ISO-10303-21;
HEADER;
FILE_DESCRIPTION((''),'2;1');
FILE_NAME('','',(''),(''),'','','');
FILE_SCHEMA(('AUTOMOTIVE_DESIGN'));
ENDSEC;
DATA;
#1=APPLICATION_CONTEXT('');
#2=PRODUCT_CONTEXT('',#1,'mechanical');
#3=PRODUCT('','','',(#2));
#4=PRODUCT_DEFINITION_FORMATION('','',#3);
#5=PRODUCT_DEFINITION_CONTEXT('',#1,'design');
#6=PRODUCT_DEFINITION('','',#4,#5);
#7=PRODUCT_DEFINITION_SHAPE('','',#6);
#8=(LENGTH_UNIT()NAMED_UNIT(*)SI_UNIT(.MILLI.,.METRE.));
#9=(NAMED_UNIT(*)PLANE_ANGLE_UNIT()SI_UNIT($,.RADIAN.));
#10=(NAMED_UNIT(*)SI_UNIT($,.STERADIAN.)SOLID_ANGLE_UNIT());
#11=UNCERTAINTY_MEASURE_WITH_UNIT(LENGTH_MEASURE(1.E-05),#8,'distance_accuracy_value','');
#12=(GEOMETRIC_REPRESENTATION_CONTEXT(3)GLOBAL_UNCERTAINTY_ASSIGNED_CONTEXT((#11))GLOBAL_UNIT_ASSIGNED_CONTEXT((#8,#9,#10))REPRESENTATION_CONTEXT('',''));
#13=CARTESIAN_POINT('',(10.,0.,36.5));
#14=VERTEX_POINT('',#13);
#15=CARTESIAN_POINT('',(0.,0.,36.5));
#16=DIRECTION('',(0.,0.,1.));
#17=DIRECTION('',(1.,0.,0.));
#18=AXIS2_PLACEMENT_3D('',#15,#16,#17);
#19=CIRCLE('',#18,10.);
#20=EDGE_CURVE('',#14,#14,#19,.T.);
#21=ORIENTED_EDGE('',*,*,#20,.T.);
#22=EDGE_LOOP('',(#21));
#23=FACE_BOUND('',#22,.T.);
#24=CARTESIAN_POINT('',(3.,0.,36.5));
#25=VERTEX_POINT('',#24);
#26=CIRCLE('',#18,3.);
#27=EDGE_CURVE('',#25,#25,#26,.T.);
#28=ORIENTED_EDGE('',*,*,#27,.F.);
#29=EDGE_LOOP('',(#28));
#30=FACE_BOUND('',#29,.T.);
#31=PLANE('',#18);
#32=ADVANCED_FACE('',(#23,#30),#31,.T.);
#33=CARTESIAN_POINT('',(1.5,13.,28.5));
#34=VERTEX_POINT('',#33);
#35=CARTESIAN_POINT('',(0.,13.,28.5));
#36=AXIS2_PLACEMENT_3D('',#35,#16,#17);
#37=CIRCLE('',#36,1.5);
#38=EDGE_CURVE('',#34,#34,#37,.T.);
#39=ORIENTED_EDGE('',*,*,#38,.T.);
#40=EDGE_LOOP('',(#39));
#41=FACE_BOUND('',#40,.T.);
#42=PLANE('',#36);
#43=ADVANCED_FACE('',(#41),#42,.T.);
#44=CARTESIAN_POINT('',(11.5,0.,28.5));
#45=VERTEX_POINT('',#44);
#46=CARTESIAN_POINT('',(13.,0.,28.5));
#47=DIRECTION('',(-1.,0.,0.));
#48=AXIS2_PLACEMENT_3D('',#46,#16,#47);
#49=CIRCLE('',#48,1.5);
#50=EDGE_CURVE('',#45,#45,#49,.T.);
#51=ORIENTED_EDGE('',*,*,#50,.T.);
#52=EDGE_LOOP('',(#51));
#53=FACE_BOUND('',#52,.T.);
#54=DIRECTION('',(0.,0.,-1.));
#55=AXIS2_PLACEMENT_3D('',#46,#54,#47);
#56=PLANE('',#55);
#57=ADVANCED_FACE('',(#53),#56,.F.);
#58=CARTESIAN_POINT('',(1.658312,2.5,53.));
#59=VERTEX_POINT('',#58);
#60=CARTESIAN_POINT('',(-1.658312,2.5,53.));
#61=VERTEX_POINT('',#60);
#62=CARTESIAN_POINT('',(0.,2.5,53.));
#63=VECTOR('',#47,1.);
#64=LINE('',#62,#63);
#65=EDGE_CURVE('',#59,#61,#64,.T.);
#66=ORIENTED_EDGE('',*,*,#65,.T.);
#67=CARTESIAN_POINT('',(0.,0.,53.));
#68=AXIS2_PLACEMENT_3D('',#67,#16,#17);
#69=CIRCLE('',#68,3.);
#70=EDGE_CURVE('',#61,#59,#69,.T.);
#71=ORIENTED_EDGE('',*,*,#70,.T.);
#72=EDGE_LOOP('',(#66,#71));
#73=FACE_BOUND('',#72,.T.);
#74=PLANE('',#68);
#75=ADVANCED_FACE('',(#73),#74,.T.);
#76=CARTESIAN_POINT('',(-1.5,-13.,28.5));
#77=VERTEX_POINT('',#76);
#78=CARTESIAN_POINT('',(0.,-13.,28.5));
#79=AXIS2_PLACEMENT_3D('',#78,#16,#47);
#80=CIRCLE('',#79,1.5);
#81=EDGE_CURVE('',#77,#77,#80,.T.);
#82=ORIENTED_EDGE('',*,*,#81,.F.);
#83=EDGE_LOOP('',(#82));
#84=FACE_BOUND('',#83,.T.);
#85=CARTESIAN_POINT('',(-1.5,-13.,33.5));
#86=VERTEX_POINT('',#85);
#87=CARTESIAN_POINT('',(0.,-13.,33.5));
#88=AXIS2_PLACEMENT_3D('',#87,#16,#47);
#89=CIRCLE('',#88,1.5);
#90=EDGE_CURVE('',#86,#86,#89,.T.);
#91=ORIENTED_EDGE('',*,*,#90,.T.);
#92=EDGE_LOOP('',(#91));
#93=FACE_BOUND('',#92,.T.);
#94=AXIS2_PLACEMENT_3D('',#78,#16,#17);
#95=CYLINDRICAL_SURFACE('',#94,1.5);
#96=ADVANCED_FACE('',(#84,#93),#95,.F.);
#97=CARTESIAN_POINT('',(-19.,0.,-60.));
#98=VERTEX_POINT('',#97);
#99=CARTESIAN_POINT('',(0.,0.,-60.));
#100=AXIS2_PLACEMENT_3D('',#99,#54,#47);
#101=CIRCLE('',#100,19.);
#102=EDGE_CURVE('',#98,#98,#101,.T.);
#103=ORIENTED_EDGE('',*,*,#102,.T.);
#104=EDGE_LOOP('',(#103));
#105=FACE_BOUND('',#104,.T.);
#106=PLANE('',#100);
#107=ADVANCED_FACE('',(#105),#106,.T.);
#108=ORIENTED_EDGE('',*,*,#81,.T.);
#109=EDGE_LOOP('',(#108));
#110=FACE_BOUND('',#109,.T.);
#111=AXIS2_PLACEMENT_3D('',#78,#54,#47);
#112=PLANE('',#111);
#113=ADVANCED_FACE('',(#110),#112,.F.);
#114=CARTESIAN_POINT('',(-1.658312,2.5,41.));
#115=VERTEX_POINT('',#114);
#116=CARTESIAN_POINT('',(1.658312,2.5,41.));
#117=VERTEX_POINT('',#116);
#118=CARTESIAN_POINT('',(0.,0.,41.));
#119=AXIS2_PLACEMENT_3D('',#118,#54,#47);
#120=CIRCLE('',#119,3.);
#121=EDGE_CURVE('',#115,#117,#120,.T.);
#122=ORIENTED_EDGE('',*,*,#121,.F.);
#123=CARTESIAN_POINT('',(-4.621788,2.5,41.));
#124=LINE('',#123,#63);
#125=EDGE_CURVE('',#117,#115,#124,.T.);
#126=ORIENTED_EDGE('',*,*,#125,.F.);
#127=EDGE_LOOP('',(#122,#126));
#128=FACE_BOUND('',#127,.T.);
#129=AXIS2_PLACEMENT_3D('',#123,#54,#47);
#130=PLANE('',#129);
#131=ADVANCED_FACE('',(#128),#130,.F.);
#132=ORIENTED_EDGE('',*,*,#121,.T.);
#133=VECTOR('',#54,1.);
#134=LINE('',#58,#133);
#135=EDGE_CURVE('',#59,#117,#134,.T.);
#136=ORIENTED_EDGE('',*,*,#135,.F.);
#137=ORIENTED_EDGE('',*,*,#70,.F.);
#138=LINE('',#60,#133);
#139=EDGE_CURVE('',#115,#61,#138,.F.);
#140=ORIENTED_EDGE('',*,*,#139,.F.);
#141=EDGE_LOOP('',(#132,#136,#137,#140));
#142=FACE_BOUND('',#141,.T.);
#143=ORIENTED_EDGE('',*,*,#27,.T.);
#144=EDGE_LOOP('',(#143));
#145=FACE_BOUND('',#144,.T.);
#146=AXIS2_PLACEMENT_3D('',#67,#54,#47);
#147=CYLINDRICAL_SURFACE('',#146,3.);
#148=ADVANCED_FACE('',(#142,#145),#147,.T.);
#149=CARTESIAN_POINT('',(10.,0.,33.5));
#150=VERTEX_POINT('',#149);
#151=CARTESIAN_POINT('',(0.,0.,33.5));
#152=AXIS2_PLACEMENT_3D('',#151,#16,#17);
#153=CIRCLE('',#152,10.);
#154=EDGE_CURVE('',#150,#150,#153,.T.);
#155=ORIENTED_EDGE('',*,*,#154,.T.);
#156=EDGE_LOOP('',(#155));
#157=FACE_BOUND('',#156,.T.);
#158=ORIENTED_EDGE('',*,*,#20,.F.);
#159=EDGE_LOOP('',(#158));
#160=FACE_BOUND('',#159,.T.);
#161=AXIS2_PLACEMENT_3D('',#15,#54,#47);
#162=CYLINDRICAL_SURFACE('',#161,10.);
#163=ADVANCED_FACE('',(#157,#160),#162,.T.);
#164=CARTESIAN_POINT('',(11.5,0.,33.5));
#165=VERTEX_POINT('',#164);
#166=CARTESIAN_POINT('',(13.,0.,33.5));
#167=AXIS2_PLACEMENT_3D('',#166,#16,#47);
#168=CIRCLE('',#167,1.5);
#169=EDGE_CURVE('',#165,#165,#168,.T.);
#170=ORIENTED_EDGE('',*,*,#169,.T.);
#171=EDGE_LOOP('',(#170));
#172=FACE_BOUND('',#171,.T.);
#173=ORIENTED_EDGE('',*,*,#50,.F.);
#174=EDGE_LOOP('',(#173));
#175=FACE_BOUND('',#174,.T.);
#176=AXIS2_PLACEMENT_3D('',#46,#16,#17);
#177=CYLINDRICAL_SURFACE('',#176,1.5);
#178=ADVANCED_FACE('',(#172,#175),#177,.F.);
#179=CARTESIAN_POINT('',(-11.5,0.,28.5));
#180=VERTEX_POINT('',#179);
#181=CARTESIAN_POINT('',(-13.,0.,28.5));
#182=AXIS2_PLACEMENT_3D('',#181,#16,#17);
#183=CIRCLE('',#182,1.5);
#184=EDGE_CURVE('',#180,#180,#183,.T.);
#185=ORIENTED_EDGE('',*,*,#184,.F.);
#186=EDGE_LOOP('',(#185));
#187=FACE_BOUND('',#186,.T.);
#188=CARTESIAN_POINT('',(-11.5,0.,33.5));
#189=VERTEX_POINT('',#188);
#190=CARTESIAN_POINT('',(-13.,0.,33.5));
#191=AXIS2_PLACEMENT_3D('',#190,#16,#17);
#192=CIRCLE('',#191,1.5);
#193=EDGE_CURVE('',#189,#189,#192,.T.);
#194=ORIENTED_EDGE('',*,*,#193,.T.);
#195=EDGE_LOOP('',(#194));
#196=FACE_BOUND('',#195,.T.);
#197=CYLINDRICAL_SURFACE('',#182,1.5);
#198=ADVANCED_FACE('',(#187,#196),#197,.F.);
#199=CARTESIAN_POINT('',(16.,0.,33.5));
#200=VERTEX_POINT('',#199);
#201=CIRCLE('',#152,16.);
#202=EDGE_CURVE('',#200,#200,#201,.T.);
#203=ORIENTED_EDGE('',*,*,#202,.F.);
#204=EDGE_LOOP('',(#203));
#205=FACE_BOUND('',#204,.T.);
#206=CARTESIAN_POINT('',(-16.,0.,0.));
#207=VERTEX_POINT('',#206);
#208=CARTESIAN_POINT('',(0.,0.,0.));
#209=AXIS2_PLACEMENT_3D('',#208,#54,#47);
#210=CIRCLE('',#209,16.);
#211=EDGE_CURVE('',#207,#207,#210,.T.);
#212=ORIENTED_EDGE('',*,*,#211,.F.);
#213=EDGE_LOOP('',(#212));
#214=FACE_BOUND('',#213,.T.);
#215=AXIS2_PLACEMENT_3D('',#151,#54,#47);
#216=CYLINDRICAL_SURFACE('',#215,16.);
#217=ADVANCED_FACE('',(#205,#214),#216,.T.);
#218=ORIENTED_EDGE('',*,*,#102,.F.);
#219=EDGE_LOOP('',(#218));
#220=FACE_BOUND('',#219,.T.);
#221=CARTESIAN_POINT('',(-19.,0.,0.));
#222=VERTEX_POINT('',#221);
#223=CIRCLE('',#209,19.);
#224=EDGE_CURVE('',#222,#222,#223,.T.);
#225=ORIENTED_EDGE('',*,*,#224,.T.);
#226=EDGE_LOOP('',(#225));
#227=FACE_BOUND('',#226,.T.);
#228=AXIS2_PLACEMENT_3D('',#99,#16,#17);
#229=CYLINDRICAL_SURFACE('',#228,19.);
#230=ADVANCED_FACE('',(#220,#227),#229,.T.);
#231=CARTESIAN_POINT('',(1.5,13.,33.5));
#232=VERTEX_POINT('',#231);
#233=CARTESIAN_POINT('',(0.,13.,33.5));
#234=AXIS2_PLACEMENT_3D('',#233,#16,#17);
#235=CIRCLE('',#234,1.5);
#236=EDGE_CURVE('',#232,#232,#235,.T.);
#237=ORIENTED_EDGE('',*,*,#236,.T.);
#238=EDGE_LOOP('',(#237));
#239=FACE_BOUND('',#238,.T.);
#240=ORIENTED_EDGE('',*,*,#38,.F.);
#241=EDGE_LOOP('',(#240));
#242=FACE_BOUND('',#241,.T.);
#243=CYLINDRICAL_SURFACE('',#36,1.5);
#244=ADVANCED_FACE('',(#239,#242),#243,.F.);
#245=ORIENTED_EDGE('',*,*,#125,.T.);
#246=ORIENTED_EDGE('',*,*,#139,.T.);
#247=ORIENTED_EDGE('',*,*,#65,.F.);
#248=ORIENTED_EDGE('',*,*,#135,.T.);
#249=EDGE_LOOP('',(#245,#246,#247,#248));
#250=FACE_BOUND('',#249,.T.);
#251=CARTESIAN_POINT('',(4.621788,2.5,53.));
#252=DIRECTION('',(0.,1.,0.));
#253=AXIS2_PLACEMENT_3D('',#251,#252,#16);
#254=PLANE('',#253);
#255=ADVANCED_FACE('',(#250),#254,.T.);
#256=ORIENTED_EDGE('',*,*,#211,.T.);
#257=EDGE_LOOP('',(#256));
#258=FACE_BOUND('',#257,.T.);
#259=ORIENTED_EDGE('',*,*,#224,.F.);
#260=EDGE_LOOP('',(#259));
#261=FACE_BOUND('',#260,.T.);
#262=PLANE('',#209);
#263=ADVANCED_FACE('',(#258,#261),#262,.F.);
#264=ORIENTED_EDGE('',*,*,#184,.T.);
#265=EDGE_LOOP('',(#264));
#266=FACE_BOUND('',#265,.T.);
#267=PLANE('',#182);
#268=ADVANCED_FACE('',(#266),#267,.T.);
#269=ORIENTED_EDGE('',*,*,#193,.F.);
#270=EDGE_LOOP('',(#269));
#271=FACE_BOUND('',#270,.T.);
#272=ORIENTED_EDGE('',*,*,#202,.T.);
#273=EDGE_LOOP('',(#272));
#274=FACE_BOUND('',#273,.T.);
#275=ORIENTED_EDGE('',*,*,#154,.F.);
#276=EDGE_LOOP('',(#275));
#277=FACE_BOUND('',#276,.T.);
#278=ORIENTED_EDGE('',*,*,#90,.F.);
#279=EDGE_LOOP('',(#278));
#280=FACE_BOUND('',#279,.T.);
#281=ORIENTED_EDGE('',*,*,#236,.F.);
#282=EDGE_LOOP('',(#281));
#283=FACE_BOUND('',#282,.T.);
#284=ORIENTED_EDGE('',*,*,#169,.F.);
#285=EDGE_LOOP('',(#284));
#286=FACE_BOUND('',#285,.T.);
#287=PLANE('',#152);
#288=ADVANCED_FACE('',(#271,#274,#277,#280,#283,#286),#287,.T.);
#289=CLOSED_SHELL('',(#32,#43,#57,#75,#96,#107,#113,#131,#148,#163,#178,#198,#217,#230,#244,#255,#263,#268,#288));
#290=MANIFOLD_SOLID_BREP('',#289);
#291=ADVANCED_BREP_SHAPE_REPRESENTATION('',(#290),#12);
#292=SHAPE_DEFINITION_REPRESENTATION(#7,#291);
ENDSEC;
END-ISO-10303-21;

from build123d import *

# Parameters (mm, degrees)
SKETCH_1_R          = 16
EXTRUDE_1_DEPTH     = 33.5
SKETCH_2_R          = 10
EXTRUDE_2_DEPTH     = 3
SKETCH_3_R          = 3
EXTRUDE_3_DEPTH     = 16.5
CUT_EXTRUDE_START   = 3
SKETCH_4_W          = 9.243576196
SKETCH_4_H          = 12
CUT_EXTRUDE_1_DEPTH = 0.5
SKETCH_5_R          = 19
EXTRUDE_4_DEPTH     = 60
SKETCH_6_R          = 1.5
CUT_EXTRUDE_2_DEPTH = 5


with BuildPart() as part:
    # ｽｹｯﾁ1 → ﾎﾞｽ - 押し出し1 (new body)
    with BuildSketch(Plane.XY):
        Circle(SKETCH_1_R)
    extrude(amount=EXTRUDE_1_DEPTH)

    # ｽｹｯﾁ2 → ﾎﾞｽ - 押し出し2 (add)
    with BuildSketch(Plane.XY.offset(33.5)):
        Circle(SKETCH_2_R)
    extrude(amount=EXTRUDE_2_DEPTH)

    # ｽｹｯﾁ3 → ﾎﾞｽ - 押し出し3 (add)
    with BuildSketch(Plane.XY.offset(36.5)):
        Circle(SKETCH_3_R)
    extrude(amount=EXTRUDE_3_DEPTH)

    # ｽｹｯﾁ4 → ｶｯﾄ - 押し出し1 (cut)
    with BuildSketch(Plane(origin=(0, 0, 0), x_dir=(1, 0, 0), z_dir=(0, 1, 0)).offset(CUT_EXTRUDE_START)):
        with Locations((0, -47)):
            Rectangle(SKETCH_4_W, SKETCH_4_H)
    extrude(amount=-CUT_EXTRUDE_1_DEPTH, mode=Mode.SUBTRACT)

    # ｽｹｯﾁ5 → ﾎﾞｽ - 押し出し4 (add)
    with BuildSketch(Plane(origin=(0, 0, 0), x_dir=(-1, 0, 0), z_dir=(0, 0, -1))):
        Circle(SKETCH_5_R)
    extrude(amount=EXTRUDE_4_DEPTH)

    # ｽｹｯﾁ6 → ｶｯﾄ - 押し出し2 (cut)
    with BuildSketch(Plane.XY.offset(33.5)):
        with Locations((0, 13)):
            Circle(SKETCH_6_R)
        with Locations((-13, 0)):
            Circle(SKETCH_6_R)
        with Locations(Location((13, 0, 0), (0, 0, 180))):
            Circle(SKETCH_6_R)
        with Locations(Location((0, -13, 0), (0, 0, 180))):
            Circle(SKETCH_6_R)
    extrude(amount=-CUT_EXTRUDE_2_DEPTH, mode=Mode.SUBTRACT)


solid = part.part
